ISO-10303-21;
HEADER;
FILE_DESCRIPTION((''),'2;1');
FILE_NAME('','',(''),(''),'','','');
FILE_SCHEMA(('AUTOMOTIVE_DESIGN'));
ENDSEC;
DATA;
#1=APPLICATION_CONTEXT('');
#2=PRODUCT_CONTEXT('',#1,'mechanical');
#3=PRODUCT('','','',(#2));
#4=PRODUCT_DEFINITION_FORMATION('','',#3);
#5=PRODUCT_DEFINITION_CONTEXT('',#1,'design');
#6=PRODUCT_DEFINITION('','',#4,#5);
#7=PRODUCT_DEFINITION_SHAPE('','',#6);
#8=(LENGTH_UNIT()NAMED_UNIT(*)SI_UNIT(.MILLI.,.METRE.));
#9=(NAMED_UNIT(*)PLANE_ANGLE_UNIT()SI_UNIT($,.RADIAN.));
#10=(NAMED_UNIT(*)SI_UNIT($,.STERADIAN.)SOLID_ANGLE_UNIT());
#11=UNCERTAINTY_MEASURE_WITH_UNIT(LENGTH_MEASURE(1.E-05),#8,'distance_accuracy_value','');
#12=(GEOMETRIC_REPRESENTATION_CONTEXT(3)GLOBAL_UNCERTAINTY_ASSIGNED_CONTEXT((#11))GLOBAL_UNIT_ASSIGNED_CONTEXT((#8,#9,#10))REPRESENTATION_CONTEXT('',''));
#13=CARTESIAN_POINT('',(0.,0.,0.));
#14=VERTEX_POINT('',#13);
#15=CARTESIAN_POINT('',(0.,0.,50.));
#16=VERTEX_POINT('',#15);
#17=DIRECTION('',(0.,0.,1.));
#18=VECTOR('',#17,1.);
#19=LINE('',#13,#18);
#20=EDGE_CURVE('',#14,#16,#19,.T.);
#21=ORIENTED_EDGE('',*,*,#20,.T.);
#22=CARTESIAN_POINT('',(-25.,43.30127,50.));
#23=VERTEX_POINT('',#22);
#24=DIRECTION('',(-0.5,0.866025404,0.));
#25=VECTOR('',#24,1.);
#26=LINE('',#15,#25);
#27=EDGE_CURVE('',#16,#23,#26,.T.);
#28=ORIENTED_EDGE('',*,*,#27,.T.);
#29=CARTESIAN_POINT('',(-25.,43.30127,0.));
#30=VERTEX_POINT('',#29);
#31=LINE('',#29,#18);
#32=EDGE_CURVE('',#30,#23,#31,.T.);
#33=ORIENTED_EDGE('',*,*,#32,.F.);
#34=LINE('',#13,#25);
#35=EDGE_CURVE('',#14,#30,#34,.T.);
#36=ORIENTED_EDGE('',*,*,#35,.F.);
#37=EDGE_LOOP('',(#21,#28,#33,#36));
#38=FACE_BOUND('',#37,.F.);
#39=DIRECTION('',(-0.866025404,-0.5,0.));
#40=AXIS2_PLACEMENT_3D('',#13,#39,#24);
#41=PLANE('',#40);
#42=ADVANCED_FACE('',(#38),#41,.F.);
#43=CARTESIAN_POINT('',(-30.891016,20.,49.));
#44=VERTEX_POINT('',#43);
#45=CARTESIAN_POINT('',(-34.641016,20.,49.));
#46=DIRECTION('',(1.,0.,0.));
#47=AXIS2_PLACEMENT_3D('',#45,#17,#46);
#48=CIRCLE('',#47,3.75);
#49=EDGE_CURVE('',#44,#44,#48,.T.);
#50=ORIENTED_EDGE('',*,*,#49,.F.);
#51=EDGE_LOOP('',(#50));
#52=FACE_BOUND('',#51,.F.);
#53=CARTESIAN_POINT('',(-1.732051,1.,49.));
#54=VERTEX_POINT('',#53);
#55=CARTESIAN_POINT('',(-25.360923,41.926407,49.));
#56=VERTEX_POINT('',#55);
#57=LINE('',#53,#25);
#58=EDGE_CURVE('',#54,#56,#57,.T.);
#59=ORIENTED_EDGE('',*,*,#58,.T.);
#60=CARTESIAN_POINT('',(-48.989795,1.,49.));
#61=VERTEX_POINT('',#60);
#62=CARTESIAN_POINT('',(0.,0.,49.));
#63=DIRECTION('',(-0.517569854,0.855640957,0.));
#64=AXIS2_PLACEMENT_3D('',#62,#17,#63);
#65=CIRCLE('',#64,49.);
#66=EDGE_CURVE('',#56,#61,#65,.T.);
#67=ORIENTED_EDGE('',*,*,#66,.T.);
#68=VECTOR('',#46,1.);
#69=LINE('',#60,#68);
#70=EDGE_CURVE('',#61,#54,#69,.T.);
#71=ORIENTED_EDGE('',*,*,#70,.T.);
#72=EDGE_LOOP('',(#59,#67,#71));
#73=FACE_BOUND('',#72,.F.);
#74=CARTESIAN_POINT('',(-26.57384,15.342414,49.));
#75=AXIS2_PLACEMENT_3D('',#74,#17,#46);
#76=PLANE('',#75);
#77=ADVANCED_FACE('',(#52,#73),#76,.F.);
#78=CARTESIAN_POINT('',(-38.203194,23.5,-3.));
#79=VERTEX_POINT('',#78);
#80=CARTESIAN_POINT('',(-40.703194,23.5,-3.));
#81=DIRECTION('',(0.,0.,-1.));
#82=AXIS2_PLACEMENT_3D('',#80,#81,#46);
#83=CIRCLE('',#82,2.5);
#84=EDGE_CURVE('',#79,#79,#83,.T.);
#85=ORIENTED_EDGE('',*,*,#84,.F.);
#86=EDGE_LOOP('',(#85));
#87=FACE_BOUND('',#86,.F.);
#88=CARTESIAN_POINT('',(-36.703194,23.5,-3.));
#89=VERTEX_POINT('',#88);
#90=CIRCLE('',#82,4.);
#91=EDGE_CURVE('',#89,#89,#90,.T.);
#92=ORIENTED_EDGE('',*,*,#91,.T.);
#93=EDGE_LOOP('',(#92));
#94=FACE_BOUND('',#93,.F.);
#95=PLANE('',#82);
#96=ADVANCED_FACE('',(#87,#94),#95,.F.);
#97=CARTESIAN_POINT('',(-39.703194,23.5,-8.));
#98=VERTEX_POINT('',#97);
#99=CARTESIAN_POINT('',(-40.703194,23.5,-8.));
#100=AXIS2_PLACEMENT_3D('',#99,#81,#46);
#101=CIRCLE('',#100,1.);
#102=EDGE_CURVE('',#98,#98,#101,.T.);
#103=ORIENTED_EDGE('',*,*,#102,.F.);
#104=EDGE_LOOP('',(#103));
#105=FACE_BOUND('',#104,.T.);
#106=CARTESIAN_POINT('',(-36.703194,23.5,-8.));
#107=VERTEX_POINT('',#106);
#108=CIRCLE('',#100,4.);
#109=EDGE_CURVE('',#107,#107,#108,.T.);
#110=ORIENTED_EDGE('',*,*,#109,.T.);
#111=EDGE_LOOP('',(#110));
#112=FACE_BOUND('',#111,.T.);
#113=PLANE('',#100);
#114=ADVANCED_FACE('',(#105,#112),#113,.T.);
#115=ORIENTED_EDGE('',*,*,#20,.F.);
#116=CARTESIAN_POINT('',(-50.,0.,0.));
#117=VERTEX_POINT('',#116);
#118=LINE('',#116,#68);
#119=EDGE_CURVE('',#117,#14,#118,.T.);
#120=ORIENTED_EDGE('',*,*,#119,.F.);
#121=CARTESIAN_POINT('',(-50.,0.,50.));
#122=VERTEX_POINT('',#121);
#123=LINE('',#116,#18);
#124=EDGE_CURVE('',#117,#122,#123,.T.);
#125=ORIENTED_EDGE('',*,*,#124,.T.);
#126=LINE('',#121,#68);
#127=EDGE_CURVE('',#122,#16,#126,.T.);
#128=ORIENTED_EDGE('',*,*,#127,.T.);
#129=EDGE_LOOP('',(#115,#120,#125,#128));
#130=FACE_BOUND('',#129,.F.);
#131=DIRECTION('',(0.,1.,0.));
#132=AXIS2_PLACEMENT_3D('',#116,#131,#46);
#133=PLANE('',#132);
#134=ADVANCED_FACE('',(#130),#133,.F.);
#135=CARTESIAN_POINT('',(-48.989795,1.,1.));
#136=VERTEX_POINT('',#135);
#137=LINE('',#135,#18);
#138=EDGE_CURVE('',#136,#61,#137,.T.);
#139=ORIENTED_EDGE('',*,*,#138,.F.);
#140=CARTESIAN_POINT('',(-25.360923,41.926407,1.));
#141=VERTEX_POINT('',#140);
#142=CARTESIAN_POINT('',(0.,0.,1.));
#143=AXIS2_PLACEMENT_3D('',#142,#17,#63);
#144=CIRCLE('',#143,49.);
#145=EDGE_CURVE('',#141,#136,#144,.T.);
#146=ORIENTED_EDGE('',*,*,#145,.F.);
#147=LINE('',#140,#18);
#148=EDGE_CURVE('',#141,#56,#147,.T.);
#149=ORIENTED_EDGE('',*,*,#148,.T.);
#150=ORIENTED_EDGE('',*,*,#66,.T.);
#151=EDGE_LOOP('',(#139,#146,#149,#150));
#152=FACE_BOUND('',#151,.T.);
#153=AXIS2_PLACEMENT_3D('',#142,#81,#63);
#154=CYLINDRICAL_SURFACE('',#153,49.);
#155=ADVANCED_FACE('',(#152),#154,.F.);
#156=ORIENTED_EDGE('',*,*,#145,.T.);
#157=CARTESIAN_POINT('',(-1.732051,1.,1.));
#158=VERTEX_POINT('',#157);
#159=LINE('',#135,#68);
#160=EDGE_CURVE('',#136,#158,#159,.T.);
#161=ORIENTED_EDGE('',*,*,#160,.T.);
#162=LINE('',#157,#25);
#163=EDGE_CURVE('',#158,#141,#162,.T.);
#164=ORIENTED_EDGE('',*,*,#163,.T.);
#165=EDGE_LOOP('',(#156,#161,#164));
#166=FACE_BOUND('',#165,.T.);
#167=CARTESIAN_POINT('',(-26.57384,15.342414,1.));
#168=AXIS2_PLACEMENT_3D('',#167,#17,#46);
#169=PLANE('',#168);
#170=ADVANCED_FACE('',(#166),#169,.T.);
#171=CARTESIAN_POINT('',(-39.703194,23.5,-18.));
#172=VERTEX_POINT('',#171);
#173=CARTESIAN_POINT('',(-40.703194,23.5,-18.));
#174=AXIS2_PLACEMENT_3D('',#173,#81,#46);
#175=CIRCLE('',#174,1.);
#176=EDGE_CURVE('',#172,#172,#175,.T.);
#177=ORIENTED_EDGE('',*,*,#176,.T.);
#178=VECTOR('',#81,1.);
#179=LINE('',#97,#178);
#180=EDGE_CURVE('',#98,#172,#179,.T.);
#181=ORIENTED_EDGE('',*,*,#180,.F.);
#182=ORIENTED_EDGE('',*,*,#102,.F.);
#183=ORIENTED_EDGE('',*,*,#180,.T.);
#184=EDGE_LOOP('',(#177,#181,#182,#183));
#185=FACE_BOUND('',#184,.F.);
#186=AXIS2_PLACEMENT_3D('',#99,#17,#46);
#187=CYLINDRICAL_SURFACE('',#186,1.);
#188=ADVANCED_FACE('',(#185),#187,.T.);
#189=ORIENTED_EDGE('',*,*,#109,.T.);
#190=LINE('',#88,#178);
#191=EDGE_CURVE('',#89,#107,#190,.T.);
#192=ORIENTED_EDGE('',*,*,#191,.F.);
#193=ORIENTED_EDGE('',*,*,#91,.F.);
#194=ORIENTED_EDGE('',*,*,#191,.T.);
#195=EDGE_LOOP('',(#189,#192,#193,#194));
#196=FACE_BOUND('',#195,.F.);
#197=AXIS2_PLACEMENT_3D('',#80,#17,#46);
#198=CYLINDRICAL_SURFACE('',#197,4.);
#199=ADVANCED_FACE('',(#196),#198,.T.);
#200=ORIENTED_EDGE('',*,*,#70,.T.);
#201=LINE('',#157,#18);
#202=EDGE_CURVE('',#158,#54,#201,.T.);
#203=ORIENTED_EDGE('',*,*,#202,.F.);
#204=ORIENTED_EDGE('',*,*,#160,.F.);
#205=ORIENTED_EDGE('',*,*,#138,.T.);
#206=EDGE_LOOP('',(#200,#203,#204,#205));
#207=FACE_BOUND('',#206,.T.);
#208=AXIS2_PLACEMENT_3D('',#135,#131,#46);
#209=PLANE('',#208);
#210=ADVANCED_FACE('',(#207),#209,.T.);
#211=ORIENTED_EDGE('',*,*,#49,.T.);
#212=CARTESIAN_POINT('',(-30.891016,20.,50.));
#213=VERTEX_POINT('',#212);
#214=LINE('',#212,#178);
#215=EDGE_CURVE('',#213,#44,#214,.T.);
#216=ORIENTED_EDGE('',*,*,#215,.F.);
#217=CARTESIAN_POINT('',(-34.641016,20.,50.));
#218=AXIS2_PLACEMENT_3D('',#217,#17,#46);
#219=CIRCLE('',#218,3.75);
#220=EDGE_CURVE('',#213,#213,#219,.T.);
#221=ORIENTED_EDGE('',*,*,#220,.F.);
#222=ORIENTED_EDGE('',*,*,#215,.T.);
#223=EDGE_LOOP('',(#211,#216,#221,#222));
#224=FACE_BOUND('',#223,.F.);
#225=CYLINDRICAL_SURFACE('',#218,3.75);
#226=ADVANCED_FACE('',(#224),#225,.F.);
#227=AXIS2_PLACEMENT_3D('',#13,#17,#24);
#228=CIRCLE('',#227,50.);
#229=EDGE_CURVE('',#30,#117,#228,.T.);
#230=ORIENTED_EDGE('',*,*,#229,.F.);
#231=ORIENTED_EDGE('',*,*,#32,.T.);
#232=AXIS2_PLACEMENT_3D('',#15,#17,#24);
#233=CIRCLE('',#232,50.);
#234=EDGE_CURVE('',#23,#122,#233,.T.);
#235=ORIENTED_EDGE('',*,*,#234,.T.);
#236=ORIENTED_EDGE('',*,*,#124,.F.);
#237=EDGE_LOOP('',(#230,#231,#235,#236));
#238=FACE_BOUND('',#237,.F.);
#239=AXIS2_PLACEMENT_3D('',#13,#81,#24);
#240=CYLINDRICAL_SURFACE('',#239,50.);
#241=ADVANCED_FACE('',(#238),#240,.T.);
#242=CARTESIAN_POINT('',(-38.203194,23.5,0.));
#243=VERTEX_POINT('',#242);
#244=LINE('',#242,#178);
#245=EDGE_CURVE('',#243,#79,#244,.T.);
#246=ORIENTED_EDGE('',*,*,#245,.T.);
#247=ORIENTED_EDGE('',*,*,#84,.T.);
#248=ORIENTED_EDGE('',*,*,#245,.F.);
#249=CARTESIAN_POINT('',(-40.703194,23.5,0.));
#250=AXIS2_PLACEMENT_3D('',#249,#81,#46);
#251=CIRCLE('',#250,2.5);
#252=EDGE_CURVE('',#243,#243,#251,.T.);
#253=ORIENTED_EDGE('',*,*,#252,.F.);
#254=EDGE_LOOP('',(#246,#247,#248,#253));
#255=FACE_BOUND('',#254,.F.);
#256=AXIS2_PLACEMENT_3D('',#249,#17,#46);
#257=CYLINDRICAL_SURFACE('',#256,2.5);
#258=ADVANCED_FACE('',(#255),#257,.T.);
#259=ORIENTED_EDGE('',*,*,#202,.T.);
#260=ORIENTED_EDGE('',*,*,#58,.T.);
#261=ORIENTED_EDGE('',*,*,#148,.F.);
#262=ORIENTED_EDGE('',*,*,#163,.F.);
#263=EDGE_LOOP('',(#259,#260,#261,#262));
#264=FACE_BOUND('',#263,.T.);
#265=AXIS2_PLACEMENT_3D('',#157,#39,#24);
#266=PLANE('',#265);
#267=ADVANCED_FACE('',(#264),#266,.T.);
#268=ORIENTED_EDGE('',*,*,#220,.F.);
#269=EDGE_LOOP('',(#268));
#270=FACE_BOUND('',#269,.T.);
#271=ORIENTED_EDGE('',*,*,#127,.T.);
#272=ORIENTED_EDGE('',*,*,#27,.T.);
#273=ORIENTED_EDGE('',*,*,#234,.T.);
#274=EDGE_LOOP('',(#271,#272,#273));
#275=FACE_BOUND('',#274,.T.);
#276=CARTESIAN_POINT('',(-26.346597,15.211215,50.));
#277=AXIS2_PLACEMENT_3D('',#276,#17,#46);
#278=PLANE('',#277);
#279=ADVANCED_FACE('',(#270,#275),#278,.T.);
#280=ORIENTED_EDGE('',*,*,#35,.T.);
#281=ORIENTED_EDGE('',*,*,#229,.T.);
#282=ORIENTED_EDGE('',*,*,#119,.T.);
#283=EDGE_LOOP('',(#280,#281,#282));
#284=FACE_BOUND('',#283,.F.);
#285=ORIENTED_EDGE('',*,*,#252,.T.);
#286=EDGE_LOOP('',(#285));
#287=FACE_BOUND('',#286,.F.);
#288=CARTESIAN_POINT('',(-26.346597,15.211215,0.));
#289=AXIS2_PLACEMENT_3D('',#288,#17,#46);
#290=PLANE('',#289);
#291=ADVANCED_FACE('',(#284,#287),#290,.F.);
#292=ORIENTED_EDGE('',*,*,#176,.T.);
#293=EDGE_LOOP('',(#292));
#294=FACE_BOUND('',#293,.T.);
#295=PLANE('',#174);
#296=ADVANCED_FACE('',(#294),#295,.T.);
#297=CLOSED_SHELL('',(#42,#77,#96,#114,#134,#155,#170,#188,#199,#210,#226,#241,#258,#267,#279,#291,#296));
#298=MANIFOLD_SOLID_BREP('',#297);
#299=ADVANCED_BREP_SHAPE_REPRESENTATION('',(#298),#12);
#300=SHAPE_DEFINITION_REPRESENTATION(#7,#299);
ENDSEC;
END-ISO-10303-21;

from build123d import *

# Parameters (mm, degrees)
F1_DEPTH  = 50
F3_START  = 1
F3_DEPTH  = 48
F4_R      = 2.5
F5_DEPTH  = 3
F6_R      = 4
F7_DEPTH  = 5
F8_R      = 1
F9_DEPTH  = 10
F10_R     = 3.75
F11_DEPTH = 2


with BuildPart() as f1:
    # F0 (on Top) → F1 (new body)
    with BuildSketch(Plane.XY):
        with BuildLine():
            Line((0, 0), (-25, 43.3012701892))
            ThreePointArc((-25, 43.3012701892), (-43.3012701892, 25), (-50, 0))
            Line((-50, 0), (0, 0))
        make_face()
    extrude(amount=F1_DEPTH)

    # F2 (on Top) → F3 (cut)
    with BuildSketch(Plane.XY.offset(F3_START)):
        with BuildLine():
            Line((-1.7320508076, 1), (-25.3609228316, 41.9264068712))
            ThreePointArc((-25.3609228316, 41.9264068712), (-42.4352447854, 24.5), (-48.9897948557, 1))
            Line((-48.9897948557, 1), (-1.7320508076, 1))
        make_face()
    extrude(amount=F3_DEPTH, mode=Mode.SUBTRACT)

    # F4 (on face) → F5 (join)
    with BuildSketch(Plane(origin=(0, 0, 0), x_dir=(1, 0, 0), z_dir=(0, 0, -1))):
        with Locations((-40.7031939779, -23.5)):
            Circle(F4_R)
    extrude(amount=F5_DEPTH)

    # F6 (on face) → F7 (join)
    with BuildSketch(Plane(origin=(0, 0, -3), x_dir=(1, 0, 0), z_dir=(0, 0, -1))):
        with Locations((-40.7031939779, -23.5)):
            Circle(F6_R)
    extrude(amount=F7_DEPTH)

    # F8 (on face) → F9 (join)
    with BuildSketch(Plane(origin=(0, 0, -8), x_dir=(1, 0, 0), z_dir=(0, 0, -1))):
        with Locations((-40.7031939779, -23.5)):
            Circle(F8_R)
    extrude(amount=F9_DEPTH)

    # F10 (on face) → F11 (cut)
    with BuildSketch(Plane.XY.offset(50)):
        with Locations((-34.6410161514, 20)):
            Circle(F10_R)
    extrude(amount=-F11_DEPTH, mode=Mode.SUBTRACT)


solid = f1.part
